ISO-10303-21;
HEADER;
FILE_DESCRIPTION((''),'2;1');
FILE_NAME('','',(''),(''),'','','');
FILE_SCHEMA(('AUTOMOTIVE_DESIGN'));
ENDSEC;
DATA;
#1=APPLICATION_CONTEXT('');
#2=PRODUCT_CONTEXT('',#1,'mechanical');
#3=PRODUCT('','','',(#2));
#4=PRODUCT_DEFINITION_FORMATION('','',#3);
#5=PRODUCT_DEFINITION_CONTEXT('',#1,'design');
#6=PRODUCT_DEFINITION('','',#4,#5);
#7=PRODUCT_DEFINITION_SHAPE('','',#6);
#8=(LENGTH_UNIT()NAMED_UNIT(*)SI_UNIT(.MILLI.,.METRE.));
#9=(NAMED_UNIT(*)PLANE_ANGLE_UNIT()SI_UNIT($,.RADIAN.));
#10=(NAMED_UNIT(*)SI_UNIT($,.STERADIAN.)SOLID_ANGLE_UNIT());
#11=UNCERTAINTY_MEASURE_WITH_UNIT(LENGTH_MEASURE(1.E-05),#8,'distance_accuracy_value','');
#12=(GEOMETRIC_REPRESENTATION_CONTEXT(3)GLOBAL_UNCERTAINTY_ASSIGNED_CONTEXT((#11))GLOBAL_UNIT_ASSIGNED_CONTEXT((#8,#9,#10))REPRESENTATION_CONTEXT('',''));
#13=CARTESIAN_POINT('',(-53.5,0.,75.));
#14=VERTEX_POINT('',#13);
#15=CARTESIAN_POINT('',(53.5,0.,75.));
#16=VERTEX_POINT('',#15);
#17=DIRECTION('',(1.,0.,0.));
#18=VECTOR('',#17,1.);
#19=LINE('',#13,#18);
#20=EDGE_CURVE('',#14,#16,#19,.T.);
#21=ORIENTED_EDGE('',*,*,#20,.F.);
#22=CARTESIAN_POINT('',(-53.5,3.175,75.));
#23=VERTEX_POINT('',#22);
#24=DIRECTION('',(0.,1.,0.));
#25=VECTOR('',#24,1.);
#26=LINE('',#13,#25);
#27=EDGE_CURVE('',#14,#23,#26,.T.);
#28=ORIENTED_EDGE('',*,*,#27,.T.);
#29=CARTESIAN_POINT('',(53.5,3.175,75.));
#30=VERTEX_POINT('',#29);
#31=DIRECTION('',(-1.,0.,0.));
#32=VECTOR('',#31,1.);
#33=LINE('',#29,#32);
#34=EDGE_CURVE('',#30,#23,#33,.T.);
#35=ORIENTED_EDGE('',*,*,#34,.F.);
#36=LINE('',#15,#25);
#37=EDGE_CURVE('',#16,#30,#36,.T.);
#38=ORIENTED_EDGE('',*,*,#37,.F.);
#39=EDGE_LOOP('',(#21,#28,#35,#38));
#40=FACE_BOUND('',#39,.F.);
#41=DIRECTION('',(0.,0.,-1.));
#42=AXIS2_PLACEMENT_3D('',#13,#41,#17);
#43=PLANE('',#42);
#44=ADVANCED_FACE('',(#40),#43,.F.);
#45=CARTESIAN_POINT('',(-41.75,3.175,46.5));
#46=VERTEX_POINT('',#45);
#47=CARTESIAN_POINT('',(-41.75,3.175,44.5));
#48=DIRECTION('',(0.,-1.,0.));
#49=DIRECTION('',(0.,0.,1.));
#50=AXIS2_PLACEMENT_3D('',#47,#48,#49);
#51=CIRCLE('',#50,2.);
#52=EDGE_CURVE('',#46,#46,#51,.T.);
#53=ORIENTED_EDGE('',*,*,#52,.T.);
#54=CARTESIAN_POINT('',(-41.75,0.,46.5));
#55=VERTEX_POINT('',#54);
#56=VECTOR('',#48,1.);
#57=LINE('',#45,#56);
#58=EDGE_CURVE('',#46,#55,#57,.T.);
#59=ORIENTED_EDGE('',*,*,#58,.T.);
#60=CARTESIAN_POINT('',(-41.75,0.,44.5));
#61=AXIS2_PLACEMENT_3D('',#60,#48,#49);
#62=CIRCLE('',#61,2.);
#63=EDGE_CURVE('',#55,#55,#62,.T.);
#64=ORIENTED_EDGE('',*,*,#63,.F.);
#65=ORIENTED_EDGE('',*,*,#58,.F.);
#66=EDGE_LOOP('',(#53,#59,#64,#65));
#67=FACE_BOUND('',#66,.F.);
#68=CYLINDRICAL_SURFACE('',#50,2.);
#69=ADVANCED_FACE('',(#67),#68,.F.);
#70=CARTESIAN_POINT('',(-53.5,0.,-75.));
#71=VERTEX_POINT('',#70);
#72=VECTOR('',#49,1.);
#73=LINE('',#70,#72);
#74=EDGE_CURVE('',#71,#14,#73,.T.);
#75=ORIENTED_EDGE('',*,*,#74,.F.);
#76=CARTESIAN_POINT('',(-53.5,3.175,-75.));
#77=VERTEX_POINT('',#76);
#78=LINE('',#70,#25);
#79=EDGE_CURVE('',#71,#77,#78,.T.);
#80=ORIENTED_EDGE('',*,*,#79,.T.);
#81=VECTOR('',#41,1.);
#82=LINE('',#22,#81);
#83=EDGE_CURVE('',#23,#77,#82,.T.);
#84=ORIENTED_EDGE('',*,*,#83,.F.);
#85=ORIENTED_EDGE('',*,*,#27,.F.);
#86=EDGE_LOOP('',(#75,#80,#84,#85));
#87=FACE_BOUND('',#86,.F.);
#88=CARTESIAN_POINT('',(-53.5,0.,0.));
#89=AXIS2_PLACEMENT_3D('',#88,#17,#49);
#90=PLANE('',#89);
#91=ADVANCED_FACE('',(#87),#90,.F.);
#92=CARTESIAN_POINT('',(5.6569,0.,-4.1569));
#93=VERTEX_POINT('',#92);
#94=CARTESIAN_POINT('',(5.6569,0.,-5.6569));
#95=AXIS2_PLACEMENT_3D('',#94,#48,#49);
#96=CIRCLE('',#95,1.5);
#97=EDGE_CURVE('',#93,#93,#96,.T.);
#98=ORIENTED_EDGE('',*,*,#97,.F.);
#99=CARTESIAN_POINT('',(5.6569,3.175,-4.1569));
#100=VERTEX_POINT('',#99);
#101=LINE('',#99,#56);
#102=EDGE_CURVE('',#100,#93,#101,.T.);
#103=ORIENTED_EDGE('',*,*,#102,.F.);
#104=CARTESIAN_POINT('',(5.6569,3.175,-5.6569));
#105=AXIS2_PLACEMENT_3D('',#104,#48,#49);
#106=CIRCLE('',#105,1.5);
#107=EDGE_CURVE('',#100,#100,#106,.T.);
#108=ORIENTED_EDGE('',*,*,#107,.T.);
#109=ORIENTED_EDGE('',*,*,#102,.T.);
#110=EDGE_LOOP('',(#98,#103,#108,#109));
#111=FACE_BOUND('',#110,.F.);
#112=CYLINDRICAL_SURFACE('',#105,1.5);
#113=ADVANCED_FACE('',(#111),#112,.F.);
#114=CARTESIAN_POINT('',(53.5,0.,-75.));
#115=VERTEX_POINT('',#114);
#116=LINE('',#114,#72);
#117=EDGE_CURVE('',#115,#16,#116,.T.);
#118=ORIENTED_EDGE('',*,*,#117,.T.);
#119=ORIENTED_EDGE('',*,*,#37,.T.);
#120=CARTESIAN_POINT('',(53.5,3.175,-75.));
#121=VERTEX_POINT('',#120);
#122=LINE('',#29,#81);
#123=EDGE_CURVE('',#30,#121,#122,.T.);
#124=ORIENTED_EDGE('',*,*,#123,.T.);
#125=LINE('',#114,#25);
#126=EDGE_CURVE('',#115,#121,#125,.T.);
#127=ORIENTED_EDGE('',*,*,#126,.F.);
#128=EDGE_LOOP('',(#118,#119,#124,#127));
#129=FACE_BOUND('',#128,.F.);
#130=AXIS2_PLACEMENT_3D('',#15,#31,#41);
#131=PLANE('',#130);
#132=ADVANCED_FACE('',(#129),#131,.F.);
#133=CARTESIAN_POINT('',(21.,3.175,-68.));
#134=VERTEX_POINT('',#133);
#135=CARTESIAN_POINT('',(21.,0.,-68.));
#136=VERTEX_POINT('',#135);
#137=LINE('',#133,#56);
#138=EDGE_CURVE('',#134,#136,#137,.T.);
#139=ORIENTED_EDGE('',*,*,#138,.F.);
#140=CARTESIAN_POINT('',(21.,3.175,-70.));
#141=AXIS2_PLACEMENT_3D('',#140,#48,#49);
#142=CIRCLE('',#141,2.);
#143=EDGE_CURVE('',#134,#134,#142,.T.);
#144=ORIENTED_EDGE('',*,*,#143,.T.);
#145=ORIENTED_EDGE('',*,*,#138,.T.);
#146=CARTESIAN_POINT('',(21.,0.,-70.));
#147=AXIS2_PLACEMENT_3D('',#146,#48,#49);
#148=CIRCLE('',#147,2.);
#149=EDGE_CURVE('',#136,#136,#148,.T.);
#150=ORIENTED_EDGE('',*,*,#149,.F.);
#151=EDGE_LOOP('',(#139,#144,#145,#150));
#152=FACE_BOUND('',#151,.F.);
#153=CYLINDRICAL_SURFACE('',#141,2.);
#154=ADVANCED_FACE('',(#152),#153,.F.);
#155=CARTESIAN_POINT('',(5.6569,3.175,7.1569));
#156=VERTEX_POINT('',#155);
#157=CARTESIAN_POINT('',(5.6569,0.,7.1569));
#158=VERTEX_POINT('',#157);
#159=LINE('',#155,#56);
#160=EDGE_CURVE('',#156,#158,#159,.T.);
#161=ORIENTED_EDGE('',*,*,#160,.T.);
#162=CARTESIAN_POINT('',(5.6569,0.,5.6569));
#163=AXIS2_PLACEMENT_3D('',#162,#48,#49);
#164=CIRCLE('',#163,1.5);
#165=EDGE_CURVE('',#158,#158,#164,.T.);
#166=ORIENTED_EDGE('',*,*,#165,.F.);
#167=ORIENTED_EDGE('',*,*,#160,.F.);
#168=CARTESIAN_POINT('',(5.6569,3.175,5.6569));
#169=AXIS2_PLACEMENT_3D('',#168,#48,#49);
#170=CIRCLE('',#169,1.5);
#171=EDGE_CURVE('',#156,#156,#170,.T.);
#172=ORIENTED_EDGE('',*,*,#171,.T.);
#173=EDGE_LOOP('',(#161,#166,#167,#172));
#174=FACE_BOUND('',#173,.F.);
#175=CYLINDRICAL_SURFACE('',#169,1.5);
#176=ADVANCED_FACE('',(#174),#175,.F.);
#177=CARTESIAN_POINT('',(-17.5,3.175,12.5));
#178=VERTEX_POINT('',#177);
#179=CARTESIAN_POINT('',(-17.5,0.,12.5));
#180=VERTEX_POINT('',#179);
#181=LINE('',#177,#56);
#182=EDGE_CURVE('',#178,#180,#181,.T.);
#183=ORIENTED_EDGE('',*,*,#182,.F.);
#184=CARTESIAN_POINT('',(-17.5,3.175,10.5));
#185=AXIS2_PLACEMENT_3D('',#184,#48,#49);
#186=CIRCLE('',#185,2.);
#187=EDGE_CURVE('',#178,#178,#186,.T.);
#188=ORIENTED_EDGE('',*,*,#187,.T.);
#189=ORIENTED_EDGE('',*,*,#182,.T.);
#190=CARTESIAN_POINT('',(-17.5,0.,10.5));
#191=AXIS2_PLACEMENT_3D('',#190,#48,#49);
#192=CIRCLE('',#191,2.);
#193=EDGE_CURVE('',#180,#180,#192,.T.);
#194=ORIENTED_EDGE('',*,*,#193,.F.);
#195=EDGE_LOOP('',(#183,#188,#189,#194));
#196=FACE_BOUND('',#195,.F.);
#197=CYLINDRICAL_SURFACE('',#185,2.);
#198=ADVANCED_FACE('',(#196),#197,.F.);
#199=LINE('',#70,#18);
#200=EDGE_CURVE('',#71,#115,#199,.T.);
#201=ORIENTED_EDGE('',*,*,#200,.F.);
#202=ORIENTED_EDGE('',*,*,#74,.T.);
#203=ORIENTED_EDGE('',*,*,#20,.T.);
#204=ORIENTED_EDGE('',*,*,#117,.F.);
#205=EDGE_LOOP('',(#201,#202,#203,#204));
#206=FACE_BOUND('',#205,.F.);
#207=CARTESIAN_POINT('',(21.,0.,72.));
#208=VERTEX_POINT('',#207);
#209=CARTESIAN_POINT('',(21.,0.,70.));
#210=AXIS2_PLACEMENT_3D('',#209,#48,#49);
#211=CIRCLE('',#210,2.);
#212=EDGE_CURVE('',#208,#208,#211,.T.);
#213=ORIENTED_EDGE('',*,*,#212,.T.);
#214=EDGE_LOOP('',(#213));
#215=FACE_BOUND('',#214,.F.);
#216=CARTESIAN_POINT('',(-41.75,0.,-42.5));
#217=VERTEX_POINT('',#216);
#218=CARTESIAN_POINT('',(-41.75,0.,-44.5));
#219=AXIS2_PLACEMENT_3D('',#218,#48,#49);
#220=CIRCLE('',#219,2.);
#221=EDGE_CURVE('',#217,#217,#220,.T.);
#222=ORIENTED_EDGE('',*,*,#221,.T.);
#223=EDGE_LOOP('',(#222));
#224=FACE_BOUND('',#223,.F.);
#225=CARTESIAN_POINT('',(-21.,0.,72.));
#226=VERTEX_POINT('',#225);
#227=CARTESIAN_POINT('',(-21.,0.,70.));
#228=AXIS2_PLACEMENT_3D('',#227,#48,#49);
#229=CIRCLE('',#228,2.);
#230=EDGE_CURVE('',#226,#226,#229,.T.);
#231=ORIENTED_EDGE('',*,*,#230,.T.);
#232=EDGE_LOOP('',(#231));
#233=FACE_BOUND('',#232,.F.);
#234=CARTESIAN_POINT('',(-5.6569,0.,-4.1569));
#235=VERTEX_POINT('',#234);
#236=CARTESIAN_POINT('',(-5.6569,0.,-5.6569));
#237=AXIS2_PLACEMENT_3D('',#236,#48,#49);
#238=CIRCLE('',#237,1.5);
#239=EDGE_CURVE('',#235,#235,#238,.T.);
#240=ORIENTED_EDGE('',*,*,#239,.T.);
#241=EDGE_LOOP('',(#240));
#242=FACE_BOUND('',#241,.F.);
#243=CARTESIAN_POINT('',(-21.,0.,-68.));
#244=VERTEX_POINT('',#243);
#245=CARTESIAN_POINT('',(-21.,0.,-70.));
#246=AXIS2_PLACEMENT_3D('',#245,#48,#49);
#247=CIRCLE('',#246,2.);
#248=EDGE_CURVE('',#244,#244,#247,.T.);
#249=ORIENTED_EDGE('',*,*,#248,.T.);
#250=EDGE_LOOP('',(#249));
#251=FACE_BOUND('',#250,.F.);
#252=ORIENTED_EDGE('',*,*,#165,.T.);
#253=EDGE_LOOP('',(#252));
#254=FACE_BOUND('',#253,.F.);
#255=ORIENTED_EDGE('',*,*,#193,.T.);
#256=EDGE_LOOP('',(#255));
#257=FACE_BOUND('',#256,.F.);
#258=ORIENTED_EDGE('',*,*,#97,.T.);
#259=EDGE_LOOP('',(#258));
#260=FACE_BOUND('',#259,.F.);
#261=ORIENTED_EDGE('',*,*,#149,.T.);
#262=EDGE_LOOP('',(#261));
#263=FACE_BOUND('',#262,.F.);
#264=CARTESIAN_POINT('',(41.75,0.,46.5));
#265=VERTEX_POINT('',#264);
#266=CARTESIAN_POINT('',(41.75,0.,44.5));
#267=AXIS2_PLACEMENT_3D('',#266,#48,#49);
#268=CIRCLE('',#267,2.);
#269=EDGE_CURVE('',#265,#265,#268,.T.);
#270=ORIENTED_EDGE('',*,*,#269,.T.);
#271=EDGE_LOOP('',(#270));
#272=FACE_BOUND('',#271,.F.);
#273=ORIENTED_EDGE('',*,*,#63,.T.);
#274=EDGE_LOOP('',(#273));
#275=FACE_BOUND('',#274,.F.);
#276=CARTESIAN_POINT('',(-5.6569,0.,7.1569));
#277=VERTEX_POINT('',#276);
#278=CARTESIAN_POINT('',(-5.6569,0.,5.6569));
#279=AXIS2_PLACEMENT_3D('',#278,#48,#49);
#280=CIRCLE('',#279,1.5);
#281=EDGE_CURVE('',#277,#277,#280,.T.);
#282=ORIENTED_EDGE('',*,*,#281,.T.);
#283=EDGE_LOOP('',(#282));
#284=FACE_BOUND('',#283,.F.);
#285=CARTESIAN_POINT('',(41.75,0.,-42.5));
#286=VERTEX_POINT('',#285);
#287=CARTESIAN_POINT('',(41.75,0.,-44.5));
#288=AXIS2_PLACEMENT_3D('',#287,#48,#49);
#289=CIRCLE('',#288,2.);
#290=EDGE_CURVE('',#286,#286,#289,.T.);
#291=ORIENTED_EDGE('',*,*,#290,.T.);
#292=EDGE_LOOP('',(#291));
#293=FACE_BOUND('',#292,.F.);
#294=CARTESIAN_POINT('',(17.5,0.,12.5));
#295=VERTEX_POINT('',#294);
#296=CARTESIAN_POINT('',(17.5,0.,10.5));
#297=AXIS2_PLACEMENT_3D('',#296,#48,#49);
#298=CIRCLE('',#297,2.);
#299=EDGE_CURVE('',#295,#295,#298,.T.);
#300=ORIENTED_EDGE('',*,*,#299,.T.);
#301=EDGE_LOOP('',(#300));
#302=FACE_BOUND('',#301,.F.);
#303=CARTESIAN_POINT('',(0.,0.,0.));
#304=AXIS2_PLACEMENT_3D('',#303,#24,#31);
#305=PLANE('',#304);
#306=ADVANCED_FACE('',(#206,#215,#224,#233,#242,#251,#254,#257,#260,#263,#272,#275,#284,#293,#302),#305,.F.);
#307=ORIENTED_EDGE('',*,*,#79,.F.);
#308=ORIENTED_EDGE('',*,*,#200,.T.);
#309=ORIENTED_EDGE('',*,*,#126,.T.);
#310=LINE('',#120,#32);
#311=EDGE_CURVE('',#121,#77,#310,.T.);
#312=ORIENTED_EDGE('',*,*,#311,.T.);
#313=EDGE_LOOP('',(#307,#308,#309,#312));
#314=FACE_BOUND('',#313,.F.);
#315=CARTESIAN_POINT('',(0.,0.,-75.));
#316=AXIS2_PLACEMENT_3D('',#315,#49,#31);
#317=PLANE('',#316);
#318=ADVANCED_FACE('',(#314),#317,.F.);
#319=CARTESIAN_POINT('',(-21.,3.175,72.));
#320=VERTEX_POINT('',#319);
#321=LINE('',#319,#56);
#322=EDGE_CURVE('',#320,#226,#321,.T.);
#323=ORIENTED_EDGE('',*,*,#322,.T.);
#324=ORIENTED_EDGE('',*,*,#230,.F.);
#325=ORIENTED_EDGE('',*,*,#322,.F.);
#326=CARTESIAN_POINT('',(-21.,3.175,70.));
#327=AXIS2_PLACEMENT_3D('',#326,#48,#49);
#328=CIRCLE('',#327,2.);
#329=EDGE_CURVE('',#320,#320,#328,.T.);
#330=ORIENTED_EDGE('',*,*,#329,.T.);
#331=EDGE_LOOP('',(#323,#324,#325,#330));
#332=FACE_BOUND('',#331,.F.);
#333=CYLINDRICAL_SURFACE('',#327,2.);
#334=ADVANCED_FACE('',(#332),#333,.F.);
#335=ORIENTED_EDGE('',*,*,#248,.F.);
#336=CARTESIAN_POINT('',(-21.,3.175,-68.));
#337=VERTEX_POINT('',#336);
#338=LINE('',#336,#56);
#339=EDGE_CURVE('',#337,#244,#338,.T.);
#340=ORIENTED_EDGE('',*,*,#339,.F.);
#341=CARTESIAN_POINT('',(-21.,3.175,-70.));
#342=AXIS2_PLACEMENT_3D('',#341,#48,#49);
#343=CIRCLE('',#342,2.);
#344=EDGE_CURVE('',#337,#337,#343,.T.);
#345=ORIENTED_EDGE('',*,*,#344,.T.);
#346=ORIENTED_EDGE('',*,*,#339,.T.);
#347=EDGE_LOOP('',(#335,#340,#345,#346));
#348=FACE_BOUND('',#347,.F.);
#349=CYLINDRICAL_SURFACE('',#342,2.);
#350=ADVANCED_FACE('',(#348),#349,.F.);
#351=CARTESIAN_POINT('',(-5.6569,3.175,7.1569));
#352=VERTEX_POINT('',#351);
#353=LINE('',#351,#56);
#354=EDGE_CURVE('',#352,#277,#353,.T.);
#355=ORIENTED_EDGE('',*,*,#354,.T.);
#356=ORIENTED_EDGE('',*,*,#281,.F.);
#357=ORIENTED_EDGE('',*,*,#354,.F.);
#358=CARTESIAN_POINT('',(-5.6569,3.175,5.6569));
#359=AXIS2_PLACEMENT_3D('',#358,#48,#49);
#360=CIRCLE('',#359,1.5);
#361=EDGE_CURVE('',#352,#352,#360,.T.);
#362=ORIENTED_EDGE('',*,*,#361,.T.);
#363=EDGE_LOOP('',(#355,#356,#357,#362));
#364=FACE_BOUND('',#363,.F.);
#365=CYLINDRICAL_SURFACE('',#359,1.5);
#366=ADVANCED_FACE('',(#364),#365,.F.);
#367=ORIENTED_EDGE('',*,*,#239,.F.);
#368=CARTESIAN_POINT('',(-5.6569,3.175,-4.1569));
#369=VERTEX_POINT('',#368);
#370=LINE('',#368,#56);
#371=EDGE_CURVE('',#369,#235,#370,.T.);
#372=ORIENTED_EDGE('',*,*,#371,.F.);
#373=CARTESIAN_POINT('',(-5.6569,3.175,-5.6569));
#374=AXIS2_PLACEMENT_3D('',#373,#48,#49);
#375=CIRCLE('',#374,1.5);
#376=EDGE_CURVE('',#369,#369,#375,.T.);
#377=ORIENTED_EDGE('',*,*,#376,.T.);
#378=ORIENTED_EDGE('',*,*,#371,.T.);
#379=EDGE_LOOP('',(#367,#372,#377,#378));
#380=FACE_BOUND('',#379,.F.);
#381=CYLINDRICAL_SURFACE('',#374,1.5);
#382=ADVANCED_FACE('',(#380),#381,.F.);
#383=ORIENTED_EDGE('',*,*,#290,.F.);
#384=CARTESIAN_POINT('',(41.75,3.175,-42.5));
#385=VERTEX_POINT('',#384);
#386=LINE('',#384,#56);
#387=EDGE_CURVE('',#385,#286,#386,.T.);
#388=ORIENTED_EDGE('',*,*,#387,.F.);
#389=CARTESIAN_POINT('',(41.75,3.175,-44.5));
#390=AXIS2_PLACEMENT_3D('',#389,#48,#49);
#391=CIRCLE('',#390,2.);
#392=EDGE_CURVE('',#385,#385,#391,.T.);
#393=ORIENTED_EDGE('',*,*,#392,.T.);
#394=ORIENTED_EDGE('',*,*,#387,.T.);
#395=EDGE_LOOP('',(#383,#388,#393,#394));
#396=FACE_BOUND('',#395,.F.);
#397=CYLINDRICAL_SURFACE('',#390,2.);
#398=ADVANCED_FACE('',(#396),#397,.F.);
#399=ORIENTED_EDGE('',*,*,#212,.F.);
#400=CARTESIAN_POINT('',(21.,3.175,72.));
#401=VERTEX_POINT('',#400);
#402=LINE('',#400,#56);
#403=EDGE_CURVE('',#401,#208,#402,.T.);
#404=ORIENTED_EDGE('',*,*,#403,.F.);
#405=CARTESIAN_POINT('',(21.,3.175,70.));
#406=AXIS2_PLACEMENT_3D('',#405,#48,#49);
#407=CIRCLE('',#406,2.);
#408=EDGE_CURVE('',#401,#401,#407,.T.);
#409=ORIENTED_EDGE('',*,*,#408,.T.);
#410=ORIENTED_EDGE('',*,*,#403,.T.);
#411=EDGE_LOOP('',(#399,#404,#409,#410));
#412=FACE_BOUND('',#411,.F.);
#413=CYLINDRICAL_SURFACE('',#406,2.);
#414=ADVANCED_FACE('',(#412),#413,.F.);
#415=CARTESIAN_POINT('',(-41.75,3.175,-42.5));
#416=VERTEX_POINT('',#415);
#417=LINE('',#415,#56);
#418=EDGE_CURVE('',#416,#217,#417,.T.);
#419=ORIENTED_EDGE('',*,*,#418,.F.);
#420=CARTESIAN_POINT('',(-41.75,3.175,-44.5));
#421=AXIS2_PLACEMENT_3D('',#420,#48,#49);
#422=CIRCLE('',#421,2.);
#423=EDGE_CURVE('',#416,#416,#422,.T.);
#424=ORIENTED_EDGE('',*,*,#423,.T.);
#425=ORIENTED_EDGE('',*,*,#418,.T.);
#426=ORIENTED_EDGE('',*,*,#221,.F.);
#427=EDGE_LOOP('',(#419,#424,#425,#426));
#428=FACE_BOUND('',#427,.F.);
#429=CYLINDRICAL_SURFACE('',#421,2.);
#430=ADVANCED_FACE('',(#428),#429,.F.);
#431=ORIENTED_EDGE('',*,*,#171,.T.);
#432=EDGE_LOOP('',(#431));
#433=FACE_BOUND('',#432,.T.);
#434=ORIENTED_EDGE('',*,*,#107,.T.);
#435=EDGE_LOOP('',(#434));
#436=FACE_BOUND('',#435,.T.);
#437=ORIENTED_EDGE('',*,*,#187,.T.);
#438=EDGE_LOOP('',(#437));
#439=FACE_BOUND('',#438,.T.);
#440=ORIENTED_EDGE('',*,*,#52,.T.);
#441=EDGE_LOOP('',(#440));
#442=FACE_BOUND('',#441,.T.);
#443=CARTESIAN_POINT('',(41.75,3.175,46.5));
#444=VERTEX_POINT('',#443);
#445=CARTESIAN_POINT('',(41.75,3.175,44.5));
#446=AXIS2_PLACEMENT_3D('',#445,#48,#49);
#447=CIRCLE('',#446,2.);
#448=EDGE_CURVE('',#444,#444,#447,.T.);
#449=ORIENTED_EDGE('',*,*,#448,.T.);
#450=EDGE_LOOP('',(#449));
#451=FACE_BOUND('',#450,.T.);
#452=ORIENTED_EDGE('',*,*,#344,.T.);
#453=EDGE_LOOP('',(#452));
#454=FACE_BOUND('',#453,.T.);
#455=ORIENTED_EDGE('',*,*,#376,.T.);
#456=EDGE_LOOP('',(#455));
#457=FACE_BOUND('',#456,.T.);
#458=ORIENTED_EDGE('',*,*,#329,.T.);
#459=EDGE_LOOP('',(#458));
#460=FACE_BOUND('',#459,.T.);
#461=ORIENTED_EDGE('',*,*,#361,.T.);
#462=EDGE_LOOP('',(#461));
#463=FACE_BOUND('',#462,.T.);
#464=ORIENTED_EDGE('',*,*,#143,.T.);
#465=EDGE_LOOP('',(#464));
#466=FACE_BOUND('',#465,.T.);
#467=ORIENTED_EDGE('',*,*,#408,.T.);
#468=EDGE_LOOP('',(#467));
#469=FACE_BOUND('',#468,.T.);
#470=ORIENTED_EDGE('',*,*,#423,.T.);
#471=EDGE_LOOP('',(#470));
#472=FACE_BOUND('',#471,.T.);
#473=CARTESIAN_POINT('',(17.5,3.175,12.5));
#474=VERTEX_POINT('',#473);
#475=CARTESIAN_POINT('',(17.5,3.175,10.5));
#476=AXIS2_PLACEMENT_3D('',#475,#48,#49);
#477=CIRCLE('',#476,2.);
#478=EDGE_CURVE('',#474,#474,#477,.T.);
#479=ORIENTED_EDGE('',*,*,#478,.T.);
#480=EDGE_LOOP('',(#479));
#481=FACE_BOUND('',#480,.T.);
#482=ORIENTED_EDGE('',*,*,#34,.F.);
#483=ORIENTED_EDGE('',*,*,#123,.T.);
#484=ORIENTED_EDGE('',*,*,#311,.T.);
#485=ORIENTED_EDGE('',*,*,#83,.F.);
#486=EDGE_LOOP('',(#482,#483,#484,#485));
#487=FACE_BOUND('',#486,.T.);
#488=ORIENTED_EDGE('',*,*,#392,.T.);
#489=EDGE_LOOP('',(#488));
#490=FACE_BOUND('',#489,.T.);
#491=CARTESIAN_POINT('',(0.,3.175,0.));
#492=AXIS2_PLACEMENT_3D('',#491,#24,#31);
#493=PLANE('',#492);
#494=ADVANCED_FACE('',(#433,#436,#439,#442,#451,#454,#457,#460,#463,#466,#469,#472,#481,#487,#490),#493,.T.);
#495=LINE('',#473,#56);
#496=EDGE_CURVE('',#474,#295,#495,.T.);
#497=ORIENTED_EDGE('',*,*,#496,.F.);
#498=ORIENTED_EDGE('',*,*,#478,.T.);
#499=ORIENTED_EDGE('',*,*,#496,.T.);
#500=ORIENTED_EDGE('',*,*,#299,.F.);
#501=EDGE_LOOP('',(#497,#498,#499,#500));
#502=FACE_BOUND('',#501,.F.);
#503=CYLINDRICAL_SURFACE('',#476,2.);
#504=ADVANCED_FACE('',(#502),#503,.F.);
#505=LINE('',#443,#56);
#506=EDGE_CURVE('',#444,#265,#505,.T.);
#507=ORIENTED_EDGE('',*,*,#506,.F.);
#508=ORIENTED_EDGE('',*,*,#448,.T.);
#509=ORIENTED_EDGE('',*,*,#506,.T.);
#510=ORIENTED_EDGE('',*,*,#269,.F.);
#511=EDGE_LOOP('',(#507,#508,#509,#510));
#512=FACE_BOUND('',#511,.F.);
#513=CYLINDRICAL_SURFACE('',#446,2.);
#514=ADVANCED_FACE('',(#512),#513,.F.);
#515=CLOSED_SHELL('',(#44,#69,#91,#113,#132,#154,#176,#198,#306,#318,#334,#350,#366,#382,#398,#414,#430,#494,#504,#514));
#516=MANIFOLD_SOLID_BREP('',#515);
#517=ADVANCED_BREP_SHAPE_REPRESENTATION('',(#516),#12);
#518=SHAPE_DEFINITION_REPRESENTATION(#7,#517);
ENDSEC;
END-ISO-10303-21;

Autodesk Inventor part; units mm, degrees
ref_plane "YZ Plane" through (0, 0, 0) normal (1, 0, 0) x (0, 1, 0)
ref_plane "XZ Plane" through (0, 0, 0) normal (0, 1, 0) x (-1, 0, 0)
ref_plane "XY Plane" through (0, 0, 0) normal (0, 0, 1) x (1, 0, 0)
sketch "Sketch1" plane through (0, 0, 0) normal (0, 1, 0) x (-1, 0, 0)
  line L0 (53.5, 75) -> (-53.5, 75)
  line L1 (-53.5, 75) -> (-53.5, -75)
  line L2 (-53.5, -75) -> (53.5, -75)
  line L3 (53.5, -75) -> (53.5, 75)
  line L4 (74.9, 0) -> (-74.9, 0) projected
  line L5 (0, -105) -> (0, 105) projected
  point P0 (0, 0)
  point P1 (0, 75)
  point P2 (53.5, 0)
  dimension "d0" = 150
  dimension "d1" = 107
extrude "Extrusion1" add sketch "Sketch1" along normal blind 3.175
sketch "Sketch2" plane through (0, 3.175, 0) normal (0, 1, 0) x (1, 0, 0)
  line L0 (-53.5, -75) -> (53.5, -75) projected
  line L1 (-53.5, 75) -> (-53.5, -75) projected
  line L2 (53.5, 75) -> (-53.5, 75) projected
  line L3 (0, 105) -> (0, -105) projected
  line L4 (-21, -70) -> (21, -70) construction
  line L5 (21, -70) -> (21, 70) construction
  line L6 (21, 70) -> (-21, 70) construction
  line L7 (-21, 70) -> (-21, -70) construction
  line L8 (-41.75, -44.5) -> (41.75, -44.5) construction
  line L9 (41.75, -44.5) -> (41.75, 44.5) construction
  line L10 (41.75, 44.5) -> (-41.75, 44.5) construction
  line L11 (-41.75, 44.5) -> (-41.75, -44.5) construction
  line L12 (-17.5, -10.5) -> (17.5, -10.5) construction
  line L13 (-74.9, 0) -> (74.9, 0) projected
  circle A0 centre (0, 0) radius 8 construction
  line L14 (5.6569, 5.6569) -> (-5.6569, -5.6569) construction
  line L15 (5.6569, -5.6569) -> (-5.6569, 5.6569) construction
  point P0 (0, -10.5)
  point P1 (0, -44.5)
  point P2 (-41.75, 0)
  point P3 (-21, 0)
  point P4 (0, -70)
  point P5 (-5.6569, -5.6569)
  point P6 (-5.6569, 5.6569)
  point P7 (5.6569, -5.6569)
  point P8 (5.6569, 5.6569)
  dimension "d31" = 64.5
  dimension "d34" = 35
  dimension "d35" = 30.5
  dimension "d36" = 11.75
  dimension "d37" = 5
  dimension "d38" = 42
  dimension "d54" = 16
  dimension "d55" = 45
hole "Hole3" at (-41.75, 3.175, 44.5) at (-21, 3.175, 70) at (21, 3.175, 70) at (41.75, 3.175, 44.5) at (41.75, 3.175, -44.5) at (21, 3.175, -70) at (-21, 3.175, -70) at (-41.75, 3.175, -44.5) at (-17.5, 3.175, 10.5) at (17.5, 3.175, 10.5) direction (0, -1, 0) diameter 4 end through all
hole "Hole4" at (-5.6569, 3.175, 5.6569) at (-5.6569, 3.175, -5.6569) at (5.6569, 3.175, 5.6569) at (5.6569, 3.175, -5.6569) direction (0, -1, 0) diameter 3 end through all
properties part number "base superior"
